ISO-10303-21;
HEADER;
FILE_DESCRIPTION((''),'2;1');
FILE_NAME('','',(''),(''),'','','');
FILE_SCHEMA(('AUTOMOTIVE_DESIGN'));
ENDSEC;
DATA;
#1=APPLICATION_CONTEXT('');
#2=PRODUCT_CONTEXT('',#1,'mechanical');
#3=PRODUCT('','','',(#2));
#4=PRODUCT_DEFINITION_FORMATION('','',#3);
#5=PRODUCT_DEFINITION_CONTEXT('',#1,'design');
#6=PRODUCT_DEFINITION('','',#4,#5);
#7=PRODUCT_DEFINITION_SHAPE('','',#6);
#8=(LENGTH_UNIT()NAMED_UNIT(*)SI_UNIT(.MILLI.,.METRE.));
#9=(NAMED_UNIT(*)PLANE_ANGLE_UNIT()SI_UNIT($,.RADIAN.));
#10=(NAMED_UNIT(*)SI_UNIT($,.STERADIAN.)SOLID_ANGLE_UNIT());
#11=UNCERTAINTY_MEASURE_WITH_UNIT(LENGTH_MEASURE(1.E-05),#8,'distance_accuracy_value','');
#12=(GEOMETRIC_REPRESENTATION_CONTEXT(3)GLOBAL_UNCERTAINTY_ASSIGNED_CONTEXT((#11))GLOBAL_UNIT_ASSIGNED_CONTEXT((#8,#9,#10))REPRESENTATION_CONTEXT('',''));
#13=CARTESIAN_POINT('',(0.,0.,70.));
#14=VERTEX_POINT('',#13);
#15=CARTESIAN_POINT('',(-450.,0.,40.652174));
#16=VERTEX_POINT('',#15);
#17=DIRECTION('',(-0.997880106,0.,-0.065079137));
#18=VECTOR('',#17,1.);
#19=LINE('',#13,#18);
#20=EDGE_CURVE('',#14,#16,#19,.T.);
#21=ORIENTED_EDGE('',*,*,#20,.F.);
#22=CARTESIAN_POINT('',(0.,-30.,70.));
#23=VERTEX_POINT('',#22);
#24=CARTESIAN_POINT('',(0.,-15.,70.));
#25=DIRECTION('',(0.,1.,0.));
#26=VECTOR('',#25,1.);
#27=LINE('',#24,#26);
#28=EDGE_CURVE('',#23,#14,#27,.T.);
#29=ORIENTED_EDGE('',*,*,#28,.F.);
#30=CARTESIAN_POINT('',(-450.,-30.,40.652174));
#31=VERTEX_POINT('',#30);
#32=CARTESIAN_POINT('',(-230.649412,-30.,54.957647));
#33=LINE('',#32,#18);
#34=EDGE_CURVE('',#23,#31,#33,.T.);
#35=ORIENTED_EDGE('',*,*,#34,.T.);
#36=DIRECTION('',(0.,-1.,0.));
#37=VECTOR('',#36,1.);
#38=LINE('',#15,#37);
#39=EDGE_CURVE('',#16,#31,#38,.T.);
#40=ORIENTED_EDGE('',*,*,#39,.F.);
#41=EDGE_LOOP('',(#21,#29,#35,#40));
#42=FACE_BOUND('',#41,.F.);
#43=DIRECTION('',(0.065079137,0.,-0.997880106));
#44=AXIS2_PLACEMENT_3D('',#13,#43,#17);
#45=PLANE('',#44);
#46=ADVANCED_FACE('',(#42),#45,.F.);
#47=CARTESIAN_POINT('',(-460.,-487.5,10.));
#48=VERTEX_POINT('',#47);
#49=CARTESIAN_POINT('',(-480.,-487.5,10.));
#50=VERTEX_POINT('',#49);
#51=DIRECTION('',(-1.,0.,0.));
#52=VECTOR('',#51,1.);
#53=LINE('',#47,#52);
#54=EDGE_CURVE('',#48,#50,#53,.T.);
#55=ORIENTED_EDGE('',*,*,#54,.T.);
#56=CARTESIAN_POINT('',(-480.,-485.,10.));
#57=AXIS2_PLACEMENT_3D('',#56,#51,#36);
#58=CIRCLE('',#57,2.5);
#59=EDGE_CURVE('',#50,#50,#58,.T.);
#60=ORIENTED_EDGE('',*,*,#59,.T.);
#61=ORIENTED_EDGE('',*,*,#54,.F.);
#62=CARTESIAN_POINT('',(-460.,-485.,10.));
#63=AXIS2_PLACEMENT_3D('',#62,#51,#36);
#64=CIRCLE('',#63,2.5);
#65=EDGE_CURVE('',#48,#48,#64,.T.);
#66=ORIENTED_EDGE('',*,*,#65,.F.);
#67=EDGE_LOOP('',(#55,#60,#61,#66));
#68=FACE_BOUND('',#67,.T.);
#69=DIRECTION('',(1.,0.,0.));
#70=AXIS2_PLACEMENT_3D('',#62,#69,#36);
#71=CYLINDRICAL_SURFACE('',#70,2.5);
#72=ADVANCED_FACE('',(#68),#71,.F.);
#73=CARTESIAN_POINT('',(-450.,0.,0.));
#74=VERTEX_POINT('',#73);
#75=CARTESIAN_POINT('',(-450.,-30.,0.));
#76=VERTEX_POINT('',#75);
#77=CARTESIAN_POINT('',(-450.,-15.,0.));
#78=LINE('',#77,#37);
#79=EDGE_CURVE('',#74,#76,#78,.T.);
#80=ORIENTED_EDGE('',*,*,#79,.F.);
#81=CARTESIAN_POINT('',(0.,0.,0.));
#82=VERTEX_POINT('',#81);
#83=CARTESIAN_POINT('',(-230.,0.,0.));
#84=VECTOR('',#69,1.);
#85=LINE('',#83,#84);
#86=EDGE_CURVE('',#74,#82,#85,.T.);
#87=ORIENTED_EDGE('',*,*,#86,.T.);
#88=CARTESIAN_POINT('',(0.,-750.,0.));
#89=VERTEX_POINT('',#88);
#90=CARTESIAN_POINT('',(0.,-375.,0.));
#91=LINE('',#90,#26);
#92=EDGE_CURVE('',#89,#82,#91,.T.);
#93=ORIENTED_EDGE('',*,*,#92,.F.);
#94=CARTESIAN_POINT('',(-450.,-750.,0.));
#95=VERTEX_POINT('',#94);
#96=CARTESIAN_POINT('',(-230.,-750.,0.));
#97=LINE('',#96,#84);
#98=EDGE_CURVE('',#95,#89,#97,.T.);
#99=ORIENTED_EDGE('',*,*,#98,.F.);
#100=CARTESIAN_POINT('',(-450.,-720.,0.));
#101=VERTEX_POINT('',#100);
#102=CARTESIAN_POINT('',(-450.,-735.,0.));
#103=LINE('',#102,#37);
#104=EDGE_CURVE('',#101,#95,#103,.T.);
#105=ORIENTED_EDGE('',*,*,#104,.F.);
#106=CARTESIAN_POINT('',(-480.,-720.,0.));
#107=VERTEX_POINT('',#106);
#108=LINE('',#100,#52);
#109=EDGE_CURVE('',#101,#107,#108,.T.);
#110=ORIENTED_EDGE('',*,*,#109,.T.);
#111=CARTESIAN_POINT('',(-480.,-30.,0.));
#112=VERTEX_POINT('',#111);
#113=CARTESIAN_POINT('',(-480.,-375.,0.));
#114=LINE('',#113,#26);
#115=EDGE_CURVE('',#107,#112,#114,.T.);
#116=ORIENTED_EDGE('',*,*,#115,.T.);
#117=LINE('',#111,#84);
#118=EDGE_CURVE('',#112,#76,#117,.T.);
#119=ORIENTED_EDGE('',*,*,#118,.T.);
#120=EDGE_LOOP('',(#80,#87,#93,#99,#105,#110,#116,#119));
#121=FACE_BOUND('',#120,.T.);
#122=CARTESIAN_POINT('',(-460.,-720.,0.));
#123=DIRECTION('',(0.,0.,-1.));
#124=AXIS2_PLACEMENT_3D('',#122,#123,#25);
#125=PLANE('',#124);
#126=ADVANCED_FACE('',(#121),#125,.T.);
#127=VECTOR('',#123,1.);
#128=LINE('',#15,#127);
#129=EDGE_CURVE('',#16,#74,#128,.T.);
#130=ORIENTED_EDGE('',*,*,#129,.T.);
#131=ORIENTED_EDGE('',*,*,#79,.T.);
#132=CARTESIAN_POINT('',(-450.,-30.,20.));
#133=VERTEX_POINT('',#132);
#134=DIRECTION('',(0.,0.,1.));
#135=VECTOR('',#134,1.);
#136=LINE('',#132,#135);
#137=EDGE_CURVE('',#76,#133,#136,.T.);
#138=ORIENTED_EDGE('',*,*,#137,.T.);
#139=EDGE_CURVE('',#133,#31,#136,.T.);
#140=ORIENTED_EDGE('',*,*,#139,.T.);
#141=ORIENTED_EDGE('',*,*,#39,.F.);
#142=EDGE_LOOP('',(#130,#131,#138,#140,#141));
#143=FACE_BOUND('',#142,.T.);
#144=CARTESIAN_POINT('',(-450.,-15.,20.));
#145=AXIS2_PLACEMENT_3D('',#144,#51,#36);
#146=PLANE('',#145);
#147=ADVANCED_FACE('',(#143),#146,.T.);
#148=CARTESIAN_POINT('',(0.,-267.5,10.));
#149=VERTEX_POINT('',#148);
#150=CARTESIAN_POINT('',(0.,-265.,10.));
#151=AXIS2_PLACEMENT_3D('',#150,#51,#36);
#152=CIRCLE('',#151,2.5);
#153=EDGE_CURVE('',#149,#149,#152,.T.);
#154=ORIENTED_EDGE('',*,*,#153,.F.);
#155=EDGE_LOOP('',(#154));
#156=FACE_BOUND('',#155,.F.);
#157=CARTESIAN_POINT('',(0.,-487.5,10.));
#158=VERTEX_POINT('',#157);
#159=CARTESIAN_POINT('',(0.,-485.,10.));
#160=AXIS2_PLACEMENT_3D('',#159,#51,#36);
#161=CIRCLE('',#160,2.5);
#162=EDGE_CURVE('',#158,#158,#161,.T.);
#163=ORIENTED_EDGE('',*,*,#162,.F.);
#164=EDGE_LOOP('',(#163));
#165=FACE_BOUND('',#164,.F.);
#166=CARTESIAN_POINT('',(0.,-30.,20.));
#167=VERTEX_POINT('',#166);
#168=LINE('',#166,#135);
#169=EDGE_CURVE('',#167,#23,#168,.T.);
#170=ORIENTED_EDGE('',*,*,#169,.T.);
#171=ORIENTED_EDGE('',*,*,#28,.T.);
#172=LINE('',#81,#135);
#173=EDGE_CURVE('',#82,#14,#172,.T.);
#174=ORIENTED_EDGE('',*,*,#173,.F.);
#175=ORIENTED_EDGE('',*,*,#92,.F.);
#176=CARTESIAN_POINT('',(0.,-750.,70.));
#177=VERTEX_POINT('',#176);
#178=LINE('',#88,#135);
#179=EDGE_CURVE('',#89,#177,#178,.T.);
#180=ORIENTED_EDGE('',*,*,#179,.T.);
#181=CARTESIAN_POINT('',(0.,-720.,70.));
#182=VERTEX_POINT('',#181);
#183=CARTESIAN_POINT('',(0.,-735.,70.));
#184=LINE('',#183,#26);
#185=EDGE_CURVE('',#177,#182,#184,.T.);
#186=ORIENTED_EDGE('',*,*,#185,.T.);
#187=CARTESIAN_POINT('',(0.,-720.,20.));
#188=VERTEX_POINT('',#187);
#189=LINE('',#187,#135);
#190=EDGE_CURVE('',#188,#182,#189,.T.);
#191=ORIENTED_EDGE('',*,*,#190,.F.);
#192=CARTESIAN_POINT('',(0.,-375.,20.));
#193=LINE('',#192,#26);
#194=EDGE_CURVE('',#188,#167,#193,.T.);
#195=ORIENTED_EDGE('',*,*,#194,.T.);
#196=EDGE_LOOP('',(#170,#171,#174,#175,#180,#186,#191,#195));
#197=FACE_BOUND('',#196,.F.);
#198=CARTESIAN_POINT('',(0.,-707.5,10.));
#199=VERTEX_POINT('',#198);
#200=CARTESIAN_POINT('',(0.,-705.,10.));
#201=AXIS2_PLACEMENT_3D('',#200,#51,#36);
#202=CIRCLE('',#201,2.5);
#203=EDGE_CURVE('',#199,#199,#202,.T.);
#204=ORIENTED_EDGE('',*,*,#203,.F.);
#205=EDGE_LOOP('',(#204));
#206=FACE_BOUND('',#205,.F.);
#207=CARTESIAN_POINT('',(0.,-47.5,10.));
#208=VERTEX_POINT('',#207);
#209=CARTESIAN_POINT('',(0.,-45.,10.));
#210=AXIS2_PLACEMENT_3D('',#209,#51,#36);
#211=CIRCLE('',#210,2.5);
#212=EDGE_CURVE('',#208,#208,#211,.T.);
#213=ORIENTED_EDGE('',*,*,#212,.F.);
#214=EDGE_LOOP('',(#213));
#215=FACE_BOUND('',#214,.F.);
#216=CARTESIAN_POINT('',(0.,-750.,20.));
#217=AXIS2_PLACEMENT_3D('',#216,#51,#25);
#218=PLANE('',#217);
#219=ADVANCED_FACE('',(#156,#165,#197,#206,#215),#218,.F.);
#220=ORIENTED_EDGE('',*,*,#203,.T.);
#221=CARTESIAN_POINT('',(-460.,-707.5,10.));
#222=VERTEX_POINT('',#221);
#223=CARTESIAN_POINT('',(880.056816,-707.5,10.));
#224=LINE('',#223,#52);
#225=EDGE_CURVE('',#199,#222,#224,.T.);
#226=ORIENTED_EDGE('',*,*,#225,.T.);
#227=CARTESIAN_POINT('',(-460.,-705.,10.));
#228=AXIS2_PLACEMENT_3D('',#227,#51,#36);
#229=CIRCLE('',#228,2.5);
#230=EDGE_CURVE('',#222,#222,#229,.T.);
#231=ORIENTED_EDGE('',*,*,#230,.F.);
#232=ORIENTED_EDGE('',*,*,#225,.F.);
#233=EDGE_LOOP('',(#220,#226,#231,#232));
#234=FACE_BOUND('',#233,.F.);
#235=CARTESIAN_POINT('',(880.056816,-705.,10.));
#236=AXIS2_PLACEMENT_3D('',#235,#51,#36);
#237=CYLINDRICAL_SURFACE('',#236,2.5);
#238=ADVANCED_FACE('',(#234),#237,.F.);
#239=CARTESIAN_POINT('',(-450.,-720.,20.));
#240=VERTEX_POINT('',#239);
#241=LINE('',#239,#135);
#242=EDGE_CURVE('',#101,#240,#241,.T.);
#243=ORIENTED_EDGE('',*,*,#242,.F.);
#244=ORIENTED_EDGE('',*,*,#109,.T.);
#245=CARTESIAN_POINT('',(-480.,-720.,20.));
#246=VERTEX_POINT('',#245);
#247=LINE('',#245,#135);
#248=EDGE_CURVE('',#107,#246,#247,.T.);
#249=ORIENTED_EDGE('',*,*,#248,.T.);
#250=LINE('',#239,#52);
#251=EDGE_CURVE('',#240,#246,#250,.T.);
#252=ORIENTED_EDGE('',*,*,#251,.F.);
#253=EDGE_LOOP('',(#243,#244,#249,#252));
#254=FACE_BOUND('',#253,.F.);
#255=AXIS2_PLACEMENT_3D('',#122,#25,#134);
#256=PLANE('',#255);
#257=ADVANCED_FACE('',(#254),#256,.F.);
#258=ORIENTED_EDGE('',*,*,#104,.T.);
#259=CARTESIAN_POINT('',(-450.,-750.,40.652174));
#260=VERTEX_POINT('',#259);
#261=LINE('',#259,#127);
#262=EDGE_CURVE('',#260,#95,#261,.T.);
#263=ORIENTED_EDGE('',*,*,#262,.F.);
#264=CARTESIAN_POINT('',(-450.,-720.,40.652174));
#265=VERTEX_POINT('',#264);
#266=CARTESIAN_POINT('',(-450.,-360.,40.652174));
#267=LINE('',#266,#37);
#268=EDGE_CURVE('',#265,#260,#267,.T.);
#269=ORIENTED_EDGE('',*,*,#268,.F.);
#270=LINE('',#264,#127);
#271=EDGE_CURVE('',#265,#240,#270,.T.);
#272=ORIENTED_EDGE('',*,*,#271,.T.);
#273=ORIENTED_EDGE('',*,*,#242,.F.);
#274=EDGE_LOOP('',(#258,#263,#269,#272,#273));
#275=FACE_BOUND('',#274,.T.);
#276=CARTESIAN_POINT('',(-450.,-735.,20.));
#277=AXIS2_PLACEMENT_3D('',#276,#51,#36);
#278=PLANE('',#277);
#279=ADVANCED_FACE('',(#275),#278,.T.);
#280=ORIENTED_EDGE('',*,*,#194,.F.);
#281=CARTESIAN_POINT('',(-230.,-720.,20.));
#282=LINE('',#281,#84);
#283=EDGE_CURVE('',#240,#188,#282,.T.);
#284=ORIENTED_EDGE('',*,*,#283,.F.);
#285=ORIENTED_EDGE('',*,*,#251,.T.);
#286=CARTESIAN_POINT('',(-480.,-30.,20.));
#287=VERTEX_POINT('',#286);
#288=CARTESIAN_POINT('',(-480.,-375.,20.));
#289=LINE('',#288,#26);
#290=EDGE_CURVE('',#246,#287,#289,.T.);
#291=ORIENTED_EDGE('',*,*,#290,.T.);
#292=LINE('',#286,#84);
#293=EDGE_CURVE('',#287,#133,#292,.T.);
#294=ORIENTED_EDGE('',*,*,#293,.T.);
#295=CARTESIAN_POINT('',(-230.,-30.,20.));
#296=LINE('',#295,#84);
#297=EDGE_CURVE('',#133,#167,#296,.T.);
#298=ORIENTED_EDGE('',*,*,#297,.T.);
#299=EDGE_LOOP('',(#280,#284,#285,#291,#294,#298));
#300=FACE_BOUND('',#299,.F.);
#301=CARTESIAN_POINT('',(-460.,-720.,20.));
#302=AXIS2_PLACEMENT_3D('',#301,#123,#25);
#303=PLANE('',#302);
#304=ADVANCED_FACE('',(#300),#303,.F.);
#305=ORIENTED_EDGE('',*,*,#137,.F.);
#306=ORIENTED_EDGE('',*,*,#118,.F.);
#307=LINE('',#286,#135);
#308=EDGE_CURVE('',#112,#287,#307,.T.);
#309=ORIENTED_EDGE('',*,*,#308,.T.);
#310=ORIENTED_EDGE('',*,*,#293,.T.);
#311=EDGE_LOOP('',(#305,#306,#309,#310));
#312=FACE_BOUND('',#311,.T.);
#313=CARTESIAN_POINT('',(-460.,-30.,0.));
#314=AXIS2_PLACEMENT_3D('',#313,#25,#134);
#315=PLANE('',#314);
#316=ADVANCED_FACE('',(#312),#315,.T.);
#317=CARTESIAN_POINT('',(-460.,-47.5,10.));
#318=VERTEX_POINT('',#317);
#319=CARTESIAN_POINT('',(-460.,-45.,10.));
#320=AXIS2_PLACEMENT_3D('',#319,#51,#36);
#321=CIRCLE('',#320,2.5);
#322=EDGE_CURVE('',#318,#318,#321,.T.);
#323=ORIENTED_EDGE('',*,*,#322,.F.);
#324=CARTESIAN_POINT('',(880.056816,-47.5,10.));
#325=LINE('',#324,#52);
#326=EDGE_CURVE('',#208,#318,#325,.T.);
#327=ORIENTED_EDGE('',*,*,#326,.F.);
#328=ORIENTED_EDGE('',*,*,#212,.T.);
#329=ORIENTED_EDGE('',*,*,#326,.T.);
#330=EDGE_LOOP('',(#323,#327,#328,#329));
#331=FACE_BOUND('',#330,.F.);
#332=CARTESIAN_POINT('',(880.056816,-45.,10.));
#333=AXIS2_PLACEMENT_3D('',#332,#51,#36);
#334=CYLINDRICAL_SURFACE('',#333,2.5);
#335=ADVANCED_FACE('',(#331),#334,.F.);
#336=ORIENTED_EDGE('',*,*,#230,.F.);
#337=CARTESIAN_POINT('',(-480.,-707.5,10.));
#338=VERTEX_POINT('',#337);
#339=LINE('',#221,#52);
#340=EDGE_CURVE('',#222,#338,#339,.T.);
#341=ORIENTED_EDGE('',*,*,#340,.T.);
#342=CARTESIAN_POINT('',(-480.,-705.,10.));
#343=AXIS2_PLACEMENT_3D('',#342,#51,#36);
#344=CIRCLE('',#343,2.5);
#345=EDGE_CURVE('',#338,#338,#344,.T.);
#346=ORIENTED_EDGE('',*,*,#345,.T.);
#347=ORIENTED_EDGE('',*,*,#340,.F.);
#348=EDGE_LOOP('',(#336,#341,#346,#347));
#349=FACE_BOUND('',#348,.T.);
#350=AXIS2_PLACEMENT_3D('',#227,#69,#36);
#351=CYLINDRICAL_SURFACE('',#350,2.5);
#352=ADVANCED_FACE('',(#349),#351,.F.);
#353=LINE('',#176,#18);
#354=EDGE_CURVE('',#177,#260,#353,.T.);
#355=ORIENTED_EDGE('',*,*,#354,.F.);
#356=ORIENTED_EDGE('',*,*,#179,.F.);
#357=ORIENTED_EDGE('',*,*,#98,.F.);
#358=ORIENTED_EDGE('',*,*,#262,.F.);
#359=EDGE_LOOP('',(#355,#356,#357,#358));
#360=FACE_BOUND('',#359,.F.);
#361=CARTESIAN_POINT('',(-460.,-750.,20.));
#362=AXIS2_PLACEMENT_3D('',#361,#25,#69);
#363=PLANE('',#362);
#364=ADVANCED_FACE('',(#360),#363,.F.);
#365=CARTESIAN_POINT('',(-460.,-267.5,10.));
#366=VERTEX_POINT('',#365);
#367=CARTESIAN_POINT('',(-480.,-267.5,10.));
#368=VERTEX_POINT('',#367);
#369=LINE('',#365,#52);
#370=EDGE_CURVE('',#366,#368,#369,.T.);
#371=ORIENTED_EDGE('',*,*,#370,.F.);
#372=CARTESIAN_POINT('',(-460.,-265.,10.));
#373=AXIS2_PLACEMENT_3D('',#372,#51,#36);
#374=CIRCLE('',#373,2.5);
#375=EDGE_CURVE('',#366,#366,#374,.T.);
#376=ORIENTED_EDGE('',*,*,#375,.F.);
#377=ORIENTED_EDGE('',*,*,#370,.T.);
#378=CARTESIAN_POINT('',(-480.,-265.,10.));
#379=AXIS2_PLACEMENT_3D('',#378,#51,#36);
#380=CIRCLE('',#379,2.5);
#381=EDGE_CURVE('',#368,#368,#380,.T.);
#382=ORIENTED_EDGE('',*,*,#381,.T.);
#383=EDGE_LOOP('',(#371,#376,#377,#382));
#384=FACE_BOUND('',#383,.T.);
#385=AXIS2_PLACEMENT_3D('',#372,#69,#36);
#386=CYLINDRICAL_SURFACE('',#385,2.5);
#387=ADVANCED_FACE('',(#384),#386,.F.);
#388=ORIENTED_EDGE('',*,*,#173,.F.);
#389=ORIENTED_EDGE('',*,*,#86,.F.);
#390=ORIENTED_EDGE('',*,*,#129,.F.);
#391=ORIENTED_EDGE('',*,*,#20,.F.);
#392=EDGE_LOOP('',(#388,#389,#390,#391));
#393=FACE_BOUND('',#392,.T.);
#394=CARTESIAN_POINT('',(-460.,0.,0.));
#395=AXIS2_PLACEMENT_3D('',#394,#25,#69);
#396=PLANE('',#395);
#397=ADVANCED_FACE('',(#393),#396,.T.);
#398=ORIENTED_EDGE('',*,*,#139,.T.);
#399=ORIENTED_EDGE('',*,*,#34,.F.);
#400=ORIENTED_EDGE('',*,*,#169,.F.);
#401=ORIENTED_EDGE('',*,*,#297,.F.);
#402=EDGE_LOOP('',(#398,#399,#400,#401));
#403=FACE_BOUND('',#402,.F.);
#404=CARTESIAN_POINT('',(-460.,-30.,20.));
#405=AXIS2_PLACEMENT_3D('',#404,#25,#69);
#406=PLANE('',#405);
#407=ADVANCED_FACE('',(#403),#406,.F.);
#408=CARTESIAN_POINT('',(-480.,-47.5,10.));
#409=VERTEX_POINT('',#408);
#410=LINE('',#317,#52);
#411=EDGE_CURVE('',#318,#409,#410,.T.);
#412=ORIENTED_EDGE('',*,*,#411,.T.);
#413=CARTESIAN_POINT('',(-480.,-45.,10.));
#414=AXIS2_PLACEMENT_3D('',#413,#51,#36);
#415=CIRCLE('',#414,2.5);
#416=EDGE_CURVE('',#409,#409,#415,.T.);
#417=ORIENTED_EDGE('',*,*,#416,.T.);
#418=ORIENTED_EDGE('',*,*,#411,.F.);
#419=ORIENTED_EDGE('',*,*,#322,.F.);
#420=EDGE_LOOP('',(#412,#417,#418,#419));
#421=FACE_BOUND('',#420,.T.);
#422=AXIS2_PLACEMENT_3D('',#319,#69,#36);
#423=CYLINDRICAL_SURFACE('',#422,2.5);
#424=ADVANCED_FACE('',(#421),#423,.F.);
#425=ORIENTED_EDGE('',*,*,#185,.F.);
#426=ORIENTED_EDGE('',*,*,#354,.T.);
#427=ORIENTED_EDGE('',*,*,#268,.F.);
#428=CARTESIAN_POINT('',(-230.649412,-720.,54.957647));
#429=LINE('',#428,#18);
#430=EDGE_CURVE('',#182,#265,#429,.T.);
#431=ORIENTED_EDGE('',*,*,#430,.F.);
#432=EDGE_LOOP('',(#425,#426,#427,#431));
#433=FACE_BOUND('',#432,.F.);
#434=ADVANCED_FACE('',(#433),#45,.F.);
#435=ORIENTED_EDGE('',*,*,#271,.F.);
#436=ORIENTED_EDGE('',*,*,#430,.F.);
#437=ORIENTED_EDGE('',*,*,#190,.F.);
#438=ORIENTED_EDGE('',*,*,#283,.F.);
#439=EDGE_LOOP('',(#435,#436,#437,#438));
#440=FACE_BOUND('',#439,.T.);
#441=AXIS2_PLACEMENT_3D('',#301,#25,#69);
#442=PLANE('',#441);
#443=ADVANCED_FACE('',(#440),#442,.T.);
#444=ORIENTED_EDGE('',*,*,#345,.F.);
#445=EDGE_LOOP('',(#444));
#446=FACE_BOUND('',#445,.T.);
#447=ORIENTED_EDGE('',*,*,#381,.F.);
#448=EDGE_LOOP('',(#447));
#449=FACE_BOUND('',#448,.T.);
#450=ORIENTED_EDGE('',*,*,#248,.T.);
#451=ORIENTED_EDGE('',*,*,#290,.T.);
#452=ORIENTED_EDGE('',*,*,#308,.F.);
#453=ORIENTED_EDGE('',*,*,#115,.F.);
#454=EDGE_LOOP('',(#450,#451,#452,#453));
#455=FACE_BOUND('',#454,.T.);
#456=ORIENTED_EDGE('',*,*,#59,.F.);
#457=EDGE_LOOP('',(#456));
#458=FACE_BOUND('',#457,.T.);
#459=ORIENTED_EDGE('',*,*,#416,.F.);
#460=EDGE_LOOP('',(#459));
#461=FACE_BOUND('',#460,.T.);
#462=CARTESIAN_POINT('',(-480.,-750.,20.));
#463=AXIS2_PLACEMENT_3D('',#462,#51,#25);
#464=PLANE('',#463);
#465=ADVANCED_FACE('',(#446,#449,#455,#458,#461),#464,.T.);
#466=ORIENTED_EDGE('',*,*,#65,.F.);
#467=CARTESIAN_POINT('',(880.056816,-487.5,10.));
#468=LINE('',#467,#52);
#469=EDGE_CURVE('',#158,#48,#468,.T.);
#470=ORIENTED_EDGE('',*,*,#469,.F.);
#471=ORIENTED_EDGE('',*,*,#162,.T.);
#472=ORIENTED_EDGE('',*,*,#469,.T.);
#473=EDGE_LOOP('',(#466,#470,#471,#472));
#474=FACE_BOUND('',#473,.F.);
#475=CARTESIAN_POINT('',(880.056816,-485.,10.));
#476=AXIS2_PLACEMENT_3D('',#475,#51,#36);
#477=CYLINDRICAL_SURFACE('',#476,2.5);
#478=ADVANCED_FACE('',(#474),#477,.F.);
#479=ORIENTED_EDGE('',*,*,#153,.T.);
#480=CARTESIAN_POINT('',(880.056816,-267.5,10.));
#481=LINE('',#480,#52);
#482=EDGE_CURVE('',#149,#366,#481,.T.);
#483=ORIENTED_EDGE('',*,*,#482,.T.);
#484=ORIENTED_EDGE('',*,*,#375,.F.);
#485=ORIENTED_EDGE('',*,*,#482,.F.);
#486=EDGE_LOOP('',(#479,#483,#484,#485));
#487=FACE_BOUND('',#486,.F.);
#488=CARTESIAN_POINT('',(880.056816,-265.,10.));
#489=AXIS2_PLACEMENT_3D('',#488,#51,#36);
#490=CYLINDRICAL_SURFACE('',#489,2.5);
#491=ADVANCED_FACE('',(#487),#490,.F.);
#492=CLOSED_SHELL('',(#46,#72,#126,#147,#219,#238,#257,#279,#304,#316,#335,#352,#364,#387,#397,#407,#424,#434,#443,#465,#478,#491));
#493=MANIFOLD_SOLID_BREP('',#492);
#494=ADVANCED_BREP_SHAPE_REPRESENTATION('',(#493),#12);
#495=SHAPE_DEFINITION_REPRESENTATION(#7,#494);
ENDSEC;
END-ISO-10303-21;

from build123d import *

# Parameters (mm, degrees)
F0_W      = 460
F0_H      = 750
F1_DEPTH  = 20
F3_D      = 5
F4_W      = 460
F4_H      = 30
F5_DEPTH  = 50
F7_DEPTH  = 750
F8_W      = 30
F8_H      = 40
F9_DEPTH  = 10
F10_DEPTH = 25
F11_DEPTH = 20


with BuildPart() as f1:
    # F0 (on Top) → F1 (new body)
    with BuildSketch(Plane.XY):
        with Locations((-230, -375)):
            Rectangle(F0_W, F0_H)
    extrude(amount=F1_DEPTH)

    # F3 (through all)
    with Locations(Plane.YZ):
        with Locations((-705, 10), (-485, 10), (-265, 10), (-45, 10)):
            Hole(F3_D / 2)

    # F4 (on face) → F5 (join)
    with BuildSketch(Plane.XY.offset(20)):
        with Locations((-230, -735)):
            Rectangle(F4_W, F4_H)
        with Locations((-230, -15)):
            Rectangle(F4_W, F4_H)
    extrude(amount=F5_DEPTH)

    # F6 (on face) → F7 (cut)
    with BuildSketch(Plane(origin=(0, 0, 0), x_dir=(-1, 0, 0), z_dir=(0, 1, 0))):
        Polygon((0, 70), (460, 40), (460, 70), align=None)
    extrude(amount=-F7_DEPTH, mode=Mode.SUBTRACT)

    # F8 (on face) → F9 (cut)
    with BuildSketch(Plane(origin=(-460, 0, 0), x_dir=(0, -1, 0), z_dir=(-1, 0, 0))):
        with Locations((15, 20)):
            Rectangle(F8_W, F8_H)
        with Locations((735, 20)):
            Rectangle(F8_W, F8_H)
    extrude(amount=-F9_DEPTH, mode=Mode.SUBTRACT)

    # F10 (cut): faces of the model
    f10_faces = [f1.faces().sort_by_distance(p)[0] for p in [
        (-455, -15, 40),
        (-455, -735, 40),
    ]]
    extrude(f10_faces, amount=-F10_DEPTH, mode=Mode.SUBTRACT)

    # F11 (add): a face of the model
    f11_faces = [f1.faces().sort_by_distance(p)[0] for p in [
        (-460, -375, 10),
    ]]
    extrude(f11_faces, amount=F11_DEPTH)


solid = f1.part
